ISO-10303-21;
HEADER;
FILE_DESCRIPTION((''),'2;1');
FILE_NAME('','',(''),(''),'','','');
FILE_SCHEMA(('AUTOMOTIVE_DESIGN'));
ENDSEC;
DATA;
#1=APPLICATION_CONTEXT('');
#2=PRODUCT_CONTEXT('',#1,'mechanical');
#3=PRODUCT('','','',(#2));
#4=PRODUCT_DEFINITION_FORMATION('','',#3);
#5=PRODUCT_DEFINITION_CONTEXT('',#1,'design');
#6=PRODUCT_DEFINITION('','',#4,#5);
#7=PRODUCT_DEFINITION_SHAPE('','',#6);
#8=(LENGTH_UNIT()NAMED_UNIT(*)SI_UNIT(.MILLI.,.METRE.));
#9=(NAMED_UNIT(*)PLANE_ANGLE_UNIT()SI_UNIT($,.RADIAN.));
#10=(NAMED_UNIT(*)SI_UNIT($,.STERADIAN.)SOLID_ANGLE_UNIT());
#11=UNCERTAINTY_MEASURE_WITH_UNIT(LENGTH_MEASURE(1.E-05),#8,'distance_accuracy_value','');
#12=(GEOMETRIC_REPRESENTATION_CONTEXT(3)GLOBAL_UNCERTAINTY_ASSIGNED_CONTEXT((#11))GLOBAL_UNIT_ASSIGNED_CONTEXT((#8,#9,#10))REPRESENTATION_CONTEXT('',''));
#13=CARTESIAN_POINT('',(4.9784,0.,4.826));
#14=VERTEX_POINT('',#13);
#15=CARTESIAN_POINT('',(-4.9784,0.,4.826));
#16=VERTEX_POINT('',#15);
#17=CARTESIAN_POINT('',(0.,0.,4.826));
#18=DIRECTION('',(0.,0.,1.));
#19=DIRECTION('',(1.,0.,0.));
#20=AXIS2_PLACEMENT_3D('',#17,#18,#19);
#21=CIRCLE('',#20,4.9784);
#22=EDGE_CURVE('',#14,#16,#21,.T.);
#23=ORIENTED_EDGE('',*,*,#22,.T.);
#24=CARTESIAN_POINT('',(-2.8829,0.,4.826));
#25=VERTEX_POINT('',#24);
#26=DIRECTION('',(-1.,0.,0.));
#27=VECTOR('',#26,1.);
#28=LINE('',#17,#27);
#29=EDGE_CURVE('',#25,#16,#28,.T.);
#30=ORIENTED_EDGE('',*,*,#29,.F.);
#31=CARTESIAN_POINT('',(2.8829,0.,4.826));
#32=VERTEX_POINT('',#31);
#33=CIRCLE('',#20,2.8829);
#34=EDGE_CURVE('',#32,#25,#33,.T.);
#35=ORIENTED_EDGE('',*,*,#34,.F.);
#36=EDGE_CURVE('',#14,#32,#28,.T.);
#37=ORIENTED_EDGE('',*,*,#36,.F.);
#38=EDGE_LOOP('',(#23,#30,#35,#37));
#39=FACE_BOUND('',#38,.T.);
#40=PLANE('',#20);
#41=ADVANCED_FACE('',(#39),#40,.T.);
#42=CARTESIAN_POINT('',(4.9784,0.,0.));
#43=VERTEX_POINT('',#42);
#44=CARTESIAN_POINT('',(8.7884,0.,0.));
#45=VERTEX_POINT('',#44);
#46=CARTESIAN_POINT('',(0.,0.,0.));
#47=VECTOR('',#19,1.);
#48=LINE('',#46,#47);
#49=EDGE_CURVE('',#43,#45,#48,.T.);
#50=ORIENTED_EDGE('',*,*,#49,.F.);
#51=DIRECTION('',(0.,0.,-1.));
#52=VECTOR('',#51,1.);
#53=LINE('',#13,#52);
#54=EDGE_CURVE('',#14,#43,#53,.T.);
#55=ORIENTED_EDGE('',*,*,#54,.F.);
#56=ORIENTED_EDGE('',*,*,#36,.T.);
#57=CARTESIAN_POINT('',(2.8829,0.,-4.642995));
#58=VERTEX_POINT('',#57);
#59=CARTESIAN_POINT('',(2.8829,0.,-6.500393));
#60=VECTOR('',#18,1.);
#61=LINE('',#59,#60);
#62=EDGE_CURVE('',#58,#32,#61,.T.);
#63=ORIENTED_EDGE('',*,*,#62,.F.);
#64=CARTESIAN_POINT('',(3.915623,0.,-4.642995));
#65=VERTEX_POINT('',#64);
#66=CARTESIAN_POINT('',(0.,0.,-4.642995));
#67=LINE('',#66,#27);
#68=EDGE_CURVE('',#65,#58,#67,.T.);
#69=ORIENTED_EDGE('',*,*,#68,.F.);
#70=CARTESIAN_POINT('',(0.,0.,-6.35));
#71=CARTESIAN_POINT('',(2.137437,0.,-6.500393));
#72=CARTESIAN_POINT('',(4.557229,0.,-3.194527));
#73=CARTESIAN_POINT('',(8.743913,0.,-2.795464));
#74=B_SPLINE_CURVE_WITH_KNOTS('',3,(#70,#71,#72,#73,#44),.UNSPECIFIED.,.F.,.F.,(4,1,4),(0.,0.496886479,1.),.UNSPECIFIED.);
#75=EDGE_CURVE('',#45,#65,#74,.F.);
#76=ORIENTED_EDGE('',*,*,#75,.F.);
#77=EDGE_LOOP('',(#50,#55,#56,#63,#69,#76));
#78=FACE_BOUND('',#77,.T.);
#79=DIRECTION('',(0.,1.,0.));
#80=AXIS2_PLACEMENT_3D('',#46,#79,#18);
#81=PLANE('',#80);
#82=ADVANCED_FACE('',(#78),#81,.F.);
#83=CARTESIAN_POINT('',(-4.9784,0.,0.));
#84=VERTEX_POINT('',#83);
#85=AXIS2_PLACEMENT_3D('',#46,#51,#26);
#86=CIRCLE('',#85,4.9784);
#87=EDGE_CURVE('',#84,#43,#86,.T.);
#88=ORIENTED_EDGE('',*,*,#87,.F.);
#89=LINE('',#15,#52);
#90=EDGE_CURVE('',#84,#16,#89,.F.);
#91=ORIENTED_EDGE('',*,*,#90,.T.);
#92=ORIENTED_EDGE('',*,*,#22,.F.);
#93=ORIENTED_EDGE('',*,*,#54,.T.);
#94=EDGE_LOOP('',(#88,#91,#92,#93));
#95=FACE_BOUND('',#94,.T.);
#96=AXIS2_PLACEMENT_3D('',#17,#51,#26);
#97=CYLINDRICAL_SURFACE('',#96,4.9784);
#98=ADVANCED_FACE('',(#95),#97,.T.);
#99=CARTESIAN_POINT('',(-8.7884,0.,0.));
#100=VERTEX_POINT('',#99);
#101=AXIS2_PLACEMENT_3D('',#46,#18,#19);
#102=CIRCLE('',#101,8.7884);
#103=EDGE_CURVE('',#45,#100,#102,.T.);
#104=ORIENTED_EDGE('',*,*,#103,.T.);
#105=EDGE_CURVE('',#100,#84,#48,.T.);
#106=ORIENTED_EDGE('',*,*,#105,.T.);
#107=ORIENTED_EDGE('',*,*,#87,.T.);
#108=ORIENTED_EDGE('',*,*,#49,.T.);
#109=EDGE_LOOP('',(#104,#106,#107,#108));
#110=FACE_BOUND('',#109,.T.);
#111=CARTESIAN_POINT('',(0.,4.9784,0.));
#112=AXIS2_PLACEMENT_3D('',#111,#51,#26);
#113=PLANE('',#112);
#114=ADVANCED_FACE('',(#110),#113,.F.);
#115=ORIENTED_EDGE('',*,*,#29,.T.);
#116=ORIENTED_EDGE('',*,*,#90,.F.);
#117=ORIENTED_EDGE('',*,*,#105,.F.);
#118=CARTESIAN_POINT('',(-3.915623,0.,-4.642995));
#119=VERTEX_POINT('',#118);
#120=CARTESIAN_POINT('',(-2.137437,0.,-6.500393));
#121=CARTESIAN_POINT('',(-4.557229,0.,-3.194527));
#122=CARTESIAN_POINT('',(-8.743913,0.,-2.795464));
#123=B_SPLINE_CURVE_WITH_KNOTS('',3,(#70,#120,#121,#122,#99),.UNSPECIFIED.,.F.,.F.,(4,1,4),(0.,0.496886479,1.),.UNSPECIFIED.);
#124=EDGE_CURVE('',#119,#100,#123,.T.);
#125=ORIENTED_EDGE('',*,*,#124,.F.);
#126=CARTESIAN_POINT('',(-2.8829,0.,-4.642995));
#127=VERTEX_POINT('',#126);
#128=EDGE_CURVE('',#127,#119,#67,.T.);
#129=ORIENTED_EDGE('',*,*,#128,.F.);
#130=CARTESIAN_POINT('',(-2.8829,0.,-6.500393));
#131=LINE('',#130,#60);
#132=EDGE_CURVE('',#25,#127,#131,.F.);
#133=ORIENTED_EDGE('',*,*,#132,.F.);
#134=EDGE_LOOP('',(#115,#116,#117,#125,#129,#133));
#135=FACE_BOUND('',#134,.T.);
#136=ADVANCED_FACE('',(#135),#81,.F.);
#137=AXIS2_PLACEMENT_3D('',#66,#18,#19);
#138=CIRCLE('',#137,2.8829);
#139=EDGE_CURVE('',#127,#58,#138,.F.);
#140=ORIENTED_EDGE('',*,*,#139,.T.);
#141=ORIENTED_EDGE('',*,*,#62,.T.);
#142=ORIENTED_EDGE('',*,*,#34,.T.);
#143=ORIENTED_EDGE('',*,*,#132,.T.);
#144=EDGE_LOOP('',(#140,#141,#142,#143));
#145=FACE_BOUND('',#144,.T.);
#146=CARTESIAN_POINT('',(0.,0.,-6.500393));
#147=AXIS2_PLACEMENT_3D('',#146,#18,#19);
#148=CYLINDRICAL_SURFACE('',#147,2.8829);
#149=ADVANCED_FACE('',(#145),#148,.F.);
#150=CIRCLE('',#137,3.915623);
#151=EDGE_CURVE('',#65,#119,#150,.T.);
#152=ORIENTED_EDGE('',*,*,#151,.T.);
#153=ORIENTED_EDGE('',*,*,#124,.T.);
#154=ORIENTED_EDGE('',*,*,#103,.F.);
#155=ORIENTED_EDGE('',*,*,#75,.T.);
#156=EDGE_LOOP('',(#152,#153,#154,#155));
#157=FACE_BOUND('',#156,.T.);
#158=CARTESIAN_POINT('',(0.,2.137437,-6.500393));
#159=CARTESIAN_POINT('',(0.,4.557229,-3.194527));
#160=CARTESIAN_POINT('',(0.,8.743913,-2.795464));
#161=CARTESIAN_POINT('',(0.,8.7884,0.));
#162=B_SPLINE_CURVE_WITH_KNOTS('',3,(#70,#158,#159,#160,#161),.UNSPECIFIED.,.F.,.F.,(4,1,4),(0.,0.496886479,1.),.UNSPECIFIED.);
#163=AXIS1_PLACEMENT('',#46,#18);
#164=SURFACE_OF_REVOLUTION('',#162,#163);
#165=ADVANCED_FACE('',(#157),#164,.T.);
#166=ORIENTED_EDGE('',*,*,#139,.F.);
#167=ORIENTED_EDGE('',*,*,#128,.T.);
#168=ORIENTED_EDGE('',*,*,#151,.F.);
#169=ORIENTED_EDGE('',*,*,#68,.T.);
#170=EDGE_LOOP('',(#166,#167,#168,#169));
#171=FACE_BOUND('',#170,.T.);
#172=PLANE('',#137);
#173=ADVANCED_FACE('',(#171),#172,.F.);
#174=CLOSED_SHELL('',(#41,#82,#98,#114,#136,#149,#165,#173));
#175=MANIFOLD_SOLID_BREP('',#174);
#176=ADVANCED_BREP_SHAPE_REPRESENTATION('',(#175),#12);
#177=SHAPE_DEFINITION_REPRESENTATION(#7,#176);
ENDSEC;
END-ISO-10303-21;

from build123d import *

# Parameters (mm, degrees)
SKETCH1_R               = 4.9784
BOSS_EXTRUDE1_DEPTH     = 4.826
SKETCH2_R               = 2.8829
CUT_EXTRUDE1_DEPTH      = 5.826
CUT_EXTRUDE1_DEPTH_BACK = 7.359654759
SKETCH5_R               = 6.35
CUT_EXTRUDE4_DEPTH      = 0.762
SKETCH8_W               = 25.4
SKETCH8_H               = 25.4
CUT_EXTRUDE5_DEPTH      = 9.7884001


with BuildPart() as part:
    # Sketch1 → Boss-Extrude1 (new body)
    with BuildSketch(Plane.XY):
        Circle(SKETCH1_R)
    extrude(amount=BOSS_EXTRUDE1_DEPTH)

    # Sketch3 → Revolve1 (revolve)
    with BuildSketch(Plane(origin=(0, 0, 0), x_dir=(0, 0, -1), z_dir=(1, 0, 0))):
        with BuildLine():
            Line((0, 0), (6.35, 0))
            add(Edge.make_bspline(
                [(0, 8.7884), (2.795464345, 8.743912966), (3.194527454, 4.557229334), (6.50039289, 2.137437451), (6.35, 0)],
                knots=[0, 0, 0, 0, 0.503113521, 1, 1, 1, 1], degree=3))
            Line((0, 8.7884), (0, 4.9784))
            Line((0, 4.9784), (0, 0))
        make_face()
    revolve(axis=Axis((0, 0, 0), (0, 0, -1)))

    # Sketch2 → Cut-Extrude1 (cut, two sides)
    with BuildSketch(Plane.XY) as cut_extrude1_sk:
        Circle(SKETCH2_R)
    extrude(amount=CUT_EXTRUDE1_DEPTH, mode=Mode.SUBTRACT)
    extrude(cut_extrude1_sk.sketch, amount=-CUT_EXTRUDE1_DEPTH_BACK, mode=Mode.SUBTRACT)

    # Sketch5 → Cut-Extrude4 (cut)
    with BuildSketch(Plane.XY.offset(-5.404994532)):
        Circle(SKETCH5_R)
    extrude(amount=CUT_EXTRUDE4_DEPTH, mode=Mode.SUBTRACT)

    # Sketch8 → Cut-Extrude5 (cut, through all)
    with BuildSketch(Plane(origin=(0, 0, 0), x_dir=(1, 0, 0), z_dir=(0, 1, 0))):
        Rectangle(SKETCH8_W, SKETCH8_H)
    extrude(amount=-CUT_EXTRUDE5_DEPTH, mode=Mode.SUBTRACT)


solid = part.part
